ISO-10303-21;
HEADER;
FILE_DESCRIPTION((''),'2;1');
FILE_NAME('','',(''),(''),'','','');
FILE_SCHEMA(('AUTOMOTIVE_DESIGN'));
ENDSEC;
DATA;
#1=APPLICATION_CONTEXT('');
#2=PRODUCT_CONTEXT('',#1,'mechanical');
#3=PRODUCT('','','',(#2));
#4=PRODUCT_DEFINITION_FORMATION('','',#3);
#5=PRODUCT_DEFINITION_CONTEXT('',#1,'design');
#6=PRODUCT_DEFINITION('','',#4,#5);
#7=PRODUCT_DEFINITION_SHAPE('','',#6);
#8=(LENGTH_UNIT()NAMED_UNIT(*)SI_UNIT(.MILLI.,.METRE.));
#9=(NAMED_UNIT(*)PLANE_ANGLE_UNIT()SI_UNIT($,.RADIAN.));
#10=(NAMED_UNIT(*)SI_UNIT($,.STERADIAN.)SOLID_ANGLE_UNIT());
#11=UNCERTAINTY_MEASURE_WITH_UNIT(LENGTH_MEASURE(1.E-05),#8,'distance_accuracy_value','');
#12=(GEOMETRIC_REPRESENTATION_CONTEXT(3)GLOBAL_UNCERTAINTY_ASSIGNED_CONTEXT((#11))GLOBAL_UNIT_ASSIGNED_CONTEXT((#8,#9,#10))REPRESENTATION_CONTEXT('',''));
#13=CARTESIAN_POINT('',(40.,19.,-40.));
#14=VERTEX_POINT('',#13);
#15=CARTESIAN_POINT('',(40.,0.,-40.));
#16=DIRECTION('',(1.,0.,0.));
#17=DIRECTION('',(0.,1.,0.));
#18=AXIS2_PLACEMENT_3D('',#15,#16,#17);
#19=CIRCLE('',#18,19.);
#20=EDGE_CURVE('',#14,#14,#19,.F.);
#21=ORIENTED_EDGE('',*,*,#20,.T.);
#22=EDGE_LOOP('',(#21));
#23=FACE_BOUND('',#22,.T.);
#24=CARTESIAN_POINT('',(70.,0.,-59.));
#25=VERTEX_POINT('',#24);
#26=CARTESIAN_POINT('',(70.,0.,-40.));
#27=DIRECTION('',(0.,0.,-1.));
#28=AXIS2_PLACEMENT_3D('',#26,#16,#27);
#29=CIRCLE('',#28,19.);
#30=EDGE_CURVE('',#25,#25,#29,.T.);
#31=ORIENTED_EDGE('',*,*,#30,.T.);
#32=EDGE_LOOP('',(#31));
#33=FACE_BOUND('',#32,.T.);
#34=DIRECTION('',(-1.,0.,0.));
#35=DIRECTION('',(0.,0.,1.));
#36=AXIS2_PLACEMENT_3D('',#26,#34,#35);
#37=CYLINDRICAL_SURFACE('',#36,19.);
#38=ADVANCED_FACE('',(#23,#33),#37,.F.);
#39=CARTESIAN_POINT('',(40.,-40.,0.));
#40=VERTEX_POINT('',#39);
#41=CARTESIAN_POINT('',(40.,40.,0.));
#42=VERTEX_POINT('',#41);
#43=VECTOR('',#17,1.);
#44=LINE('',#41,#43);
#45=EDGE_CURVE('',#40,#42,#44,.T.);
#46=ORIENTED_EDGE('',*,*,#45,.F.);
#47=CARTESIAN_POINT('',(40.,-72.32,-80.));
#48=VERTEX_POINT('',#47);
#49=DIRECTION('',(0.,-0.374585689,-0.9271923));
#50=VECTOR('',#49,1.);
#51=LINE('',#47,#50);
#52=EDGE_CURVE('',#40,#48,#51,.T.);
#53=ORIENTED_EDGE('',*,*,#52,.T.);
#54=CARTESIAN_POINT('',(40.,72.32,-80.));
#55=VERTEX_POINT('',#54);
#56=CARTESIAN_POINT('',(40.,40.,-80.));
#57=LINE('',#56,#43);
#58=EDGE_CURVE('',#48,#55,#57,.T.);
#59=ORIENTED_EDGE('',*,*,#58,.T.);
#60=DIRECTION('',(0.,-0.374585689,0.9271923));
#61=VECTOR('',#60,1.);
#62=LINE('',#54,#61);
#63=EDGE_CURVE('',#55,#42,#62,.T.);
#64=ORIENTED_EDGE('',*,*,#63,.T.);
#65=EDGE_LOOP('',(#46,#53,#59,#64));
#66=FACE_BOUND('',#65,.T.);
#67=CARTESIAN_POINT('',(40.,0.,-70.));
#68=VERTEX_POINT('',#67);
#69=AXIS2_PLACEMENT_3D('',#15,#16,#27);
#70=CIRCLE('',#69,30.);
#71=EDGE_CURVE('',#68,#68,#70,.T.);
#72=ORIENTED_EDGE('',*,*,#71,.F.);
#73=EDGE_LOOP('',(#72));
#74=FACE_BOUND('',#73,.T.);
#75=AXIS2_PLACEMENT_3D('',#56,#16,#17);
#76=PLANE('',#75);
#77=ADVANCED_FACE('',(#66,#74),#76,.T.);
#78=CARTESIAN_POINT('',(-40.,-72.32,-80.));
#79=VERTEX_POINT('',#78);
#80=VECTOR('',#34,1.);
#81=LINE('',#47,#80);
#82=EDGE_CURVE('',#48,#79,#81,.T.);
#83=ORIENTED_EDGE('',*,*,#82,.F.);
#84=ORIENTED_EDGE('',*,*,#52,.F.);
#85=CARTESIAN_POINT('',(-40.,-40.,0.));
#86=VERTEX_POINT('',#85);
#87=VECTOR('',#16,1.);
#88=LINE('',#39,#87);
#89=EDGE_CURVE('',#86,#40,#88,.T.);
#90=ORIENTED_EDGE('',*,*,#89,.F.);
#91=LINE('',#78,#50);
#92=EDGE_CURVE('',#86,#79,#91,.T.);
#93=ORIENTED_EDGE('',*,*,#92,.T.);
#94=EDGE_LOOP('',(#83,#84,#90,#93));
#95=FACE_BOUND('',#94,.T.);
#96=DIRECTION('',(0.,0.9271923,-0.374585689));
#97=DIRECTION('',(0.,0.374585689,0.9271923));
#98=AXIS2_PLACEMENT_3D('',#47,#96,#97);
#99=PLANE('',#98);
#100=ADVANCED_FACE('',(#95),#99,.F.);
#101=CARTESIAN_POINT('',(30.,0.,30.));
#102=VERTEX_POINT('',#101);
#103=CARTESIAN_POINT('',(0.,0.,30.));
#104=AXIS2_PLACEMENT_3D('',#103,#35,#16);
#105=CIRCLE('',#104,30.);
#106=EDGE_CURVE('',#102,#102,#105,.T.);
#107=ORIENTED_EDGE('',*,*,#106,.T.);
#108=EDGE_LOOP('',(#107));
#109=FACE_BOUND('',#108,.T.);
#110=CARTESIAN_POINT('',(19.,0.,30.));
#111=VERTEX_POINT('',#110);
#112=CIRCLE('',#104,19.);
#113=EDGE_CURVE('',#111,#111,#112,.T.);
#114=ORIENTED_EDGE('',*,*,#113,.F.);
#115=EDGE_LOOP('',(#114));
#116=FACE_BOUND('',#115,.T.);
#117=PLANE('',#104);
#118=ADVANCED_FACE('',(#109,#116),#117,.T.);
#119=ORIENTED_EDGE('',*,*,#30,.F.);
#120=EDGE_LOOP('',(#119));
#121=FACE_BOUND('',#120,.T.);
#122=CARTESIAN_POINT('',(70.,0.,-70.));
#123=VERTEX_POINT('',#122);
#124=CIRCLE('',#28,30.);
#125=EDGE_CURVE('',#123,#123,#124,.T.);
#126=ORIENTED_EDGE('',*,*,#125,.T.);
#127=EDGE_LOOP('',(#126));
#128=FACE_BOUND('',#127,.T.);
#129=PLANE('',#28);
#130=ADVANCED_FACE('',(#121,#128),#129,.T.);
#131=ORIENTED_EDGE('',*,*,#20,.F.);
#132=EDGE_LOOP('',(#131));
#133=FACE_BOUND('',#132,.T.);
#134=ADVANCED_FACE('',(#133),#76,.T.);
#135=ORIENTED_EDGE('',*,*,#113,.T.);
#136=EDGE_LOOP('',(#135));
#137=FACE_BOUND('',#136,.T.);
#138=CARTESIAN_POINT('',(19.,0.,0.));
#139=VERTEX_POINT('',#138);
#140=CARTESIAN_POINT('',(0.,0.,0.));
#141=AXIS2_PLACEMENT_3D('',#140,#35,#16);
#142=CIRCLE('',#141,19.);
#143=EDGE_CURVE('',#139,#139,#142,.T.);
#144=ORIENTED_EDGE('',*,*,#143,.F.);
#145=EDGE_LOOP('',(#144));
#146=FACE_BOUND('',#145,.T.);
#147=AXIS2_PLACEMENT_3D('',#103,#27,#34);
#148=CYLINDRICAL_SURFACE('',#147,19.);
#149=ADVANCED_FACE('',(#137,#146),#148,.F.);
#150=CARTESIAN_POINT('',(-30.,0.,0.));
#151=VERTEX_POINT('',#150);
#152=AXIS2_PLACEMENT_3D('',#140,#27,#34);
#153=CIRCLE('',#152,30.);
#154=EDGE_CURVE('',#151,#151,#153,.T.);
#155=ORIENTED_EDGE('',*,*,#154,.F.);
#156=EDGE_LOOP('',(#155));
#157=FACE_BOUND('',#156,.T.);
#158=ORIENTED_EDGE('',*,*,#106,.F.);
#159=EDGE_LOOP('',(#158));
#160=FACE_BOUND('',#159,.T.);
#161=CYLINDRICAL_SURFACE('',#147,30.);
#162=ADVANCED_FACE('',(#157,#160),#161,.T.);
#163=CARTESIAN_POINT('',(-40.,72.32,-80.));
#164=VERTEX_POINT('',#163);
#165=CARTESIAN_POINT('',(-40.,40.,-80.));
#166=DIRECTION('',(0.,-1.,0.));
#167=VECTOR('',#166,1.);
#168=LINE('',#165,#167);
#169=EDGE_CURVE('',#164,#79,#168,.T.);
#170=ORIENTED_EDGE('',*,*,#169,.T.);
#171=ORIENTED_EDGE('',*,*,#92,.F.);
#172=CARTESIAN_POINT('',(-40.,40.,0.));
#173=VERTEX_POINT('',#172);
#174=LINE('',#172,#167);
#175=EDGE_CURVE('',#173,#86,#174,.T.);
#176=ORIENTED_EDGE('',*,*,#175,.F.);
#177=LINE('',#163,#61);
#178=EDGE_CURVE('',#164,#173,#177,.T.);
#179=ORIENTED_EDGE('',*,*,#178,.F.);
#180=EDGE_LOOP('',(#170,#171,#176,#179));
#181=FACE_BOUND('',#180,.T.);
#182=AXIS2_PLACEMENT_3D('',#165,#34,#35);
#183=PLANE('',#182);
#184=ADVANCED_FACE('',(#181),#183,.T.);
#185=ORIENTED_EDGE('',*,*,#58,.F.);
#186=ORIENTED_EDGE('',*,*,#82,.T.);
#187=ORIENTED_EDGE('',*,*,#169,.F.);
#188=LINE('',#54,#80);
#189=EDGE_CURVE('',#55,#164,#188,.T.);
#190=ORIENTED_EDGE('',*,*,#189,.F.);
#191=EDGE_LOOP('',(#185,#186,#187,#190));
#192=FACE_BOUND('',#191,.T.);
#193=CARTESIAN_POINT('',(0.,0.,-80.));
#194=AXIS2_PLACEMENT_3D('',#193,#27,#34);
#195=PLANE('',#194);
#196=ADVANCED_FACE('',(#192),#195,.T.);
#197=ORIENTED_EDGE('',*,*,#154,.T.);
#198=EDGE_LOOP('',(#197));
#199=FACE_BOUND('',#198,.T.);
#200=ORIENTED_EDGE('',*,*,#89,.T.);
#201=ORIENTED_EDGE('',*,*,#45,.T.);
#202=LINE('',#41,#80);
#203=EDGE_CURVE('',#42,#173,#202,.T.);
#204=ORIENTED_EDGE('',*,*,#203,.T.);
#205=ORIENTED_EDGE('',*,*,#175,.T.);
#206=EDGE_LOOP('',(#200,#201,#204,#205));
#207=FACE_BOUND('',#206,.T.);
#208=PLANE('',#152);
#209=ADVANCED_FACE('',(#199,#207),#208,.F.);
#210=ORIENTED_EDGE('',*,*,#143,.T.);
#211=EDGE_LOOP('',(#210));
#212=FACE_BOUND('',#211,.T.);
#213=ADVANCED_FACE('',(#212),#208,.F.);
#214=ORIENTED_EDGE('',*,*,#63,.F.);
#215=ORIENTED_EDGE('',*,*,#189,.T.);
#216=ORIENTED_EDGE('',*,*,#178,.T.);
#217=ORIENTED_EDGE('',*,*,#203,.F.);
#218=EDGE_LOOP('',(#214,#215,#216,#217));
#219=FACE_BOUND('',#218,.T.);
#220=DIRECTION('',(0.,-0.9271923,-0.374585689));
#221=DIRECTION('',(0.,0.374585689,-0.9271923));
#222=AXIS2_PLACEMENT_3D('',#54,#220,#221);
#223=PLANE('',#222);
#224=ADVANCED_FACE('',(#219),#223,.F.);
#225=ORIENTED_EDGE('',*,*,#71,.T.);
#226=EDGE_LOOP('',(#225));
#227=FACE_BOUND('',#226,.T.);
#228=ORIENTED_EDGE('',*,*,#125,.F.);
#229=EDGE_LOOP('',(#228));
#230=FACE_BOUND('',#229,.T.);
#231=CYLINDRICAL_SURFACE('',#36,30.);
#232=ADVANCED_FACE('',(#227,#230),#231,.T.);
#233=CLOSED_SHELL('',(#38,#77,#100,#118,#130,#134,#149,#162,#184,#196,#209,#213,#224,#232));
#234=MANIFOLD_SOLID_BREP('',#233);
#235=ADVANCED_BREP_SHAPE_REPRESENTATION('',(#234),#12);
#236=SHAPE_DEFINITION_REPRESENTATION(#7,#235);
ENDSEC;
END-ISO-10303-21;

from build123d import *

# Parameters (mm, degrees)
CROQUIS1_R              = 30
CROQUIS1_R_2            = 19
SALIENTE_EXTRUIR1_DEPTH = 30
CROQUIS2_W              = 80
CROQUIS2_H              = 80
SALIENTE_EXTRUIR2_DEPTH = 80
CROQUIS3_R              = 30
CROQUIS3_R_2            = 19
SALIENTE_EXTRUIR3_DEPTH = 30
SALIENTE_EXTRUIR4_DEPTH = 80


with BuildPart() as part:
    # Croquis1 → Saliente-Extruir1 (new body)
    with BuildSketch(Plane.XY):
        Circle(CROQUIS1_R)
        Circle(CROQUIS1_R_2, mode=Mode.SUBTRACT)
    extrude(amount=SALIENTE_EXTRUIR1_DEPTH)

    # Croquis2 → Saliente-Extruir2 (add)
    with BuildSketch(Plane.XY):
        Rectangle(CROQUIS2_W, CROQUIS2_H)
    extrude(amount=-SALIENTE_EXTRUIR2_DEPTH)

    # Croquis3 → Saliente-Extruir3 (add)
    with BuildSketch(Plane(origin=(40, 0, 0), x_dir=(0, 0, -1), z_dir=(1, 0, 0))):
        with Locations((40, 0)):
            Circle(CROQUIS3_R)
        with Locations(Location((40, 0, 0), (0, 0, 90))):
            Circle(CROQUIS3_R_2, mode=Mode.SUBTRACT)
    extrude(amount=SALIENTE_EXTRUIR3_DEPTH)

    # Croquis4 → Saliente-Extruir4 (add)
    with BuildSketch(Plane(origin=(-40, 0, 0), x_dir=(0, 0, -1), z_dir=(1, 0, 0))):
        Polygon((80, 40), (80, 72.32), (0, 40), align=None)
        Polygon((0, -40), (80, -40), (80, -72.32), align=None)
    extrude(amount=SALIENTE_EXTRUIR4_DEPTH)


solid = part.part
